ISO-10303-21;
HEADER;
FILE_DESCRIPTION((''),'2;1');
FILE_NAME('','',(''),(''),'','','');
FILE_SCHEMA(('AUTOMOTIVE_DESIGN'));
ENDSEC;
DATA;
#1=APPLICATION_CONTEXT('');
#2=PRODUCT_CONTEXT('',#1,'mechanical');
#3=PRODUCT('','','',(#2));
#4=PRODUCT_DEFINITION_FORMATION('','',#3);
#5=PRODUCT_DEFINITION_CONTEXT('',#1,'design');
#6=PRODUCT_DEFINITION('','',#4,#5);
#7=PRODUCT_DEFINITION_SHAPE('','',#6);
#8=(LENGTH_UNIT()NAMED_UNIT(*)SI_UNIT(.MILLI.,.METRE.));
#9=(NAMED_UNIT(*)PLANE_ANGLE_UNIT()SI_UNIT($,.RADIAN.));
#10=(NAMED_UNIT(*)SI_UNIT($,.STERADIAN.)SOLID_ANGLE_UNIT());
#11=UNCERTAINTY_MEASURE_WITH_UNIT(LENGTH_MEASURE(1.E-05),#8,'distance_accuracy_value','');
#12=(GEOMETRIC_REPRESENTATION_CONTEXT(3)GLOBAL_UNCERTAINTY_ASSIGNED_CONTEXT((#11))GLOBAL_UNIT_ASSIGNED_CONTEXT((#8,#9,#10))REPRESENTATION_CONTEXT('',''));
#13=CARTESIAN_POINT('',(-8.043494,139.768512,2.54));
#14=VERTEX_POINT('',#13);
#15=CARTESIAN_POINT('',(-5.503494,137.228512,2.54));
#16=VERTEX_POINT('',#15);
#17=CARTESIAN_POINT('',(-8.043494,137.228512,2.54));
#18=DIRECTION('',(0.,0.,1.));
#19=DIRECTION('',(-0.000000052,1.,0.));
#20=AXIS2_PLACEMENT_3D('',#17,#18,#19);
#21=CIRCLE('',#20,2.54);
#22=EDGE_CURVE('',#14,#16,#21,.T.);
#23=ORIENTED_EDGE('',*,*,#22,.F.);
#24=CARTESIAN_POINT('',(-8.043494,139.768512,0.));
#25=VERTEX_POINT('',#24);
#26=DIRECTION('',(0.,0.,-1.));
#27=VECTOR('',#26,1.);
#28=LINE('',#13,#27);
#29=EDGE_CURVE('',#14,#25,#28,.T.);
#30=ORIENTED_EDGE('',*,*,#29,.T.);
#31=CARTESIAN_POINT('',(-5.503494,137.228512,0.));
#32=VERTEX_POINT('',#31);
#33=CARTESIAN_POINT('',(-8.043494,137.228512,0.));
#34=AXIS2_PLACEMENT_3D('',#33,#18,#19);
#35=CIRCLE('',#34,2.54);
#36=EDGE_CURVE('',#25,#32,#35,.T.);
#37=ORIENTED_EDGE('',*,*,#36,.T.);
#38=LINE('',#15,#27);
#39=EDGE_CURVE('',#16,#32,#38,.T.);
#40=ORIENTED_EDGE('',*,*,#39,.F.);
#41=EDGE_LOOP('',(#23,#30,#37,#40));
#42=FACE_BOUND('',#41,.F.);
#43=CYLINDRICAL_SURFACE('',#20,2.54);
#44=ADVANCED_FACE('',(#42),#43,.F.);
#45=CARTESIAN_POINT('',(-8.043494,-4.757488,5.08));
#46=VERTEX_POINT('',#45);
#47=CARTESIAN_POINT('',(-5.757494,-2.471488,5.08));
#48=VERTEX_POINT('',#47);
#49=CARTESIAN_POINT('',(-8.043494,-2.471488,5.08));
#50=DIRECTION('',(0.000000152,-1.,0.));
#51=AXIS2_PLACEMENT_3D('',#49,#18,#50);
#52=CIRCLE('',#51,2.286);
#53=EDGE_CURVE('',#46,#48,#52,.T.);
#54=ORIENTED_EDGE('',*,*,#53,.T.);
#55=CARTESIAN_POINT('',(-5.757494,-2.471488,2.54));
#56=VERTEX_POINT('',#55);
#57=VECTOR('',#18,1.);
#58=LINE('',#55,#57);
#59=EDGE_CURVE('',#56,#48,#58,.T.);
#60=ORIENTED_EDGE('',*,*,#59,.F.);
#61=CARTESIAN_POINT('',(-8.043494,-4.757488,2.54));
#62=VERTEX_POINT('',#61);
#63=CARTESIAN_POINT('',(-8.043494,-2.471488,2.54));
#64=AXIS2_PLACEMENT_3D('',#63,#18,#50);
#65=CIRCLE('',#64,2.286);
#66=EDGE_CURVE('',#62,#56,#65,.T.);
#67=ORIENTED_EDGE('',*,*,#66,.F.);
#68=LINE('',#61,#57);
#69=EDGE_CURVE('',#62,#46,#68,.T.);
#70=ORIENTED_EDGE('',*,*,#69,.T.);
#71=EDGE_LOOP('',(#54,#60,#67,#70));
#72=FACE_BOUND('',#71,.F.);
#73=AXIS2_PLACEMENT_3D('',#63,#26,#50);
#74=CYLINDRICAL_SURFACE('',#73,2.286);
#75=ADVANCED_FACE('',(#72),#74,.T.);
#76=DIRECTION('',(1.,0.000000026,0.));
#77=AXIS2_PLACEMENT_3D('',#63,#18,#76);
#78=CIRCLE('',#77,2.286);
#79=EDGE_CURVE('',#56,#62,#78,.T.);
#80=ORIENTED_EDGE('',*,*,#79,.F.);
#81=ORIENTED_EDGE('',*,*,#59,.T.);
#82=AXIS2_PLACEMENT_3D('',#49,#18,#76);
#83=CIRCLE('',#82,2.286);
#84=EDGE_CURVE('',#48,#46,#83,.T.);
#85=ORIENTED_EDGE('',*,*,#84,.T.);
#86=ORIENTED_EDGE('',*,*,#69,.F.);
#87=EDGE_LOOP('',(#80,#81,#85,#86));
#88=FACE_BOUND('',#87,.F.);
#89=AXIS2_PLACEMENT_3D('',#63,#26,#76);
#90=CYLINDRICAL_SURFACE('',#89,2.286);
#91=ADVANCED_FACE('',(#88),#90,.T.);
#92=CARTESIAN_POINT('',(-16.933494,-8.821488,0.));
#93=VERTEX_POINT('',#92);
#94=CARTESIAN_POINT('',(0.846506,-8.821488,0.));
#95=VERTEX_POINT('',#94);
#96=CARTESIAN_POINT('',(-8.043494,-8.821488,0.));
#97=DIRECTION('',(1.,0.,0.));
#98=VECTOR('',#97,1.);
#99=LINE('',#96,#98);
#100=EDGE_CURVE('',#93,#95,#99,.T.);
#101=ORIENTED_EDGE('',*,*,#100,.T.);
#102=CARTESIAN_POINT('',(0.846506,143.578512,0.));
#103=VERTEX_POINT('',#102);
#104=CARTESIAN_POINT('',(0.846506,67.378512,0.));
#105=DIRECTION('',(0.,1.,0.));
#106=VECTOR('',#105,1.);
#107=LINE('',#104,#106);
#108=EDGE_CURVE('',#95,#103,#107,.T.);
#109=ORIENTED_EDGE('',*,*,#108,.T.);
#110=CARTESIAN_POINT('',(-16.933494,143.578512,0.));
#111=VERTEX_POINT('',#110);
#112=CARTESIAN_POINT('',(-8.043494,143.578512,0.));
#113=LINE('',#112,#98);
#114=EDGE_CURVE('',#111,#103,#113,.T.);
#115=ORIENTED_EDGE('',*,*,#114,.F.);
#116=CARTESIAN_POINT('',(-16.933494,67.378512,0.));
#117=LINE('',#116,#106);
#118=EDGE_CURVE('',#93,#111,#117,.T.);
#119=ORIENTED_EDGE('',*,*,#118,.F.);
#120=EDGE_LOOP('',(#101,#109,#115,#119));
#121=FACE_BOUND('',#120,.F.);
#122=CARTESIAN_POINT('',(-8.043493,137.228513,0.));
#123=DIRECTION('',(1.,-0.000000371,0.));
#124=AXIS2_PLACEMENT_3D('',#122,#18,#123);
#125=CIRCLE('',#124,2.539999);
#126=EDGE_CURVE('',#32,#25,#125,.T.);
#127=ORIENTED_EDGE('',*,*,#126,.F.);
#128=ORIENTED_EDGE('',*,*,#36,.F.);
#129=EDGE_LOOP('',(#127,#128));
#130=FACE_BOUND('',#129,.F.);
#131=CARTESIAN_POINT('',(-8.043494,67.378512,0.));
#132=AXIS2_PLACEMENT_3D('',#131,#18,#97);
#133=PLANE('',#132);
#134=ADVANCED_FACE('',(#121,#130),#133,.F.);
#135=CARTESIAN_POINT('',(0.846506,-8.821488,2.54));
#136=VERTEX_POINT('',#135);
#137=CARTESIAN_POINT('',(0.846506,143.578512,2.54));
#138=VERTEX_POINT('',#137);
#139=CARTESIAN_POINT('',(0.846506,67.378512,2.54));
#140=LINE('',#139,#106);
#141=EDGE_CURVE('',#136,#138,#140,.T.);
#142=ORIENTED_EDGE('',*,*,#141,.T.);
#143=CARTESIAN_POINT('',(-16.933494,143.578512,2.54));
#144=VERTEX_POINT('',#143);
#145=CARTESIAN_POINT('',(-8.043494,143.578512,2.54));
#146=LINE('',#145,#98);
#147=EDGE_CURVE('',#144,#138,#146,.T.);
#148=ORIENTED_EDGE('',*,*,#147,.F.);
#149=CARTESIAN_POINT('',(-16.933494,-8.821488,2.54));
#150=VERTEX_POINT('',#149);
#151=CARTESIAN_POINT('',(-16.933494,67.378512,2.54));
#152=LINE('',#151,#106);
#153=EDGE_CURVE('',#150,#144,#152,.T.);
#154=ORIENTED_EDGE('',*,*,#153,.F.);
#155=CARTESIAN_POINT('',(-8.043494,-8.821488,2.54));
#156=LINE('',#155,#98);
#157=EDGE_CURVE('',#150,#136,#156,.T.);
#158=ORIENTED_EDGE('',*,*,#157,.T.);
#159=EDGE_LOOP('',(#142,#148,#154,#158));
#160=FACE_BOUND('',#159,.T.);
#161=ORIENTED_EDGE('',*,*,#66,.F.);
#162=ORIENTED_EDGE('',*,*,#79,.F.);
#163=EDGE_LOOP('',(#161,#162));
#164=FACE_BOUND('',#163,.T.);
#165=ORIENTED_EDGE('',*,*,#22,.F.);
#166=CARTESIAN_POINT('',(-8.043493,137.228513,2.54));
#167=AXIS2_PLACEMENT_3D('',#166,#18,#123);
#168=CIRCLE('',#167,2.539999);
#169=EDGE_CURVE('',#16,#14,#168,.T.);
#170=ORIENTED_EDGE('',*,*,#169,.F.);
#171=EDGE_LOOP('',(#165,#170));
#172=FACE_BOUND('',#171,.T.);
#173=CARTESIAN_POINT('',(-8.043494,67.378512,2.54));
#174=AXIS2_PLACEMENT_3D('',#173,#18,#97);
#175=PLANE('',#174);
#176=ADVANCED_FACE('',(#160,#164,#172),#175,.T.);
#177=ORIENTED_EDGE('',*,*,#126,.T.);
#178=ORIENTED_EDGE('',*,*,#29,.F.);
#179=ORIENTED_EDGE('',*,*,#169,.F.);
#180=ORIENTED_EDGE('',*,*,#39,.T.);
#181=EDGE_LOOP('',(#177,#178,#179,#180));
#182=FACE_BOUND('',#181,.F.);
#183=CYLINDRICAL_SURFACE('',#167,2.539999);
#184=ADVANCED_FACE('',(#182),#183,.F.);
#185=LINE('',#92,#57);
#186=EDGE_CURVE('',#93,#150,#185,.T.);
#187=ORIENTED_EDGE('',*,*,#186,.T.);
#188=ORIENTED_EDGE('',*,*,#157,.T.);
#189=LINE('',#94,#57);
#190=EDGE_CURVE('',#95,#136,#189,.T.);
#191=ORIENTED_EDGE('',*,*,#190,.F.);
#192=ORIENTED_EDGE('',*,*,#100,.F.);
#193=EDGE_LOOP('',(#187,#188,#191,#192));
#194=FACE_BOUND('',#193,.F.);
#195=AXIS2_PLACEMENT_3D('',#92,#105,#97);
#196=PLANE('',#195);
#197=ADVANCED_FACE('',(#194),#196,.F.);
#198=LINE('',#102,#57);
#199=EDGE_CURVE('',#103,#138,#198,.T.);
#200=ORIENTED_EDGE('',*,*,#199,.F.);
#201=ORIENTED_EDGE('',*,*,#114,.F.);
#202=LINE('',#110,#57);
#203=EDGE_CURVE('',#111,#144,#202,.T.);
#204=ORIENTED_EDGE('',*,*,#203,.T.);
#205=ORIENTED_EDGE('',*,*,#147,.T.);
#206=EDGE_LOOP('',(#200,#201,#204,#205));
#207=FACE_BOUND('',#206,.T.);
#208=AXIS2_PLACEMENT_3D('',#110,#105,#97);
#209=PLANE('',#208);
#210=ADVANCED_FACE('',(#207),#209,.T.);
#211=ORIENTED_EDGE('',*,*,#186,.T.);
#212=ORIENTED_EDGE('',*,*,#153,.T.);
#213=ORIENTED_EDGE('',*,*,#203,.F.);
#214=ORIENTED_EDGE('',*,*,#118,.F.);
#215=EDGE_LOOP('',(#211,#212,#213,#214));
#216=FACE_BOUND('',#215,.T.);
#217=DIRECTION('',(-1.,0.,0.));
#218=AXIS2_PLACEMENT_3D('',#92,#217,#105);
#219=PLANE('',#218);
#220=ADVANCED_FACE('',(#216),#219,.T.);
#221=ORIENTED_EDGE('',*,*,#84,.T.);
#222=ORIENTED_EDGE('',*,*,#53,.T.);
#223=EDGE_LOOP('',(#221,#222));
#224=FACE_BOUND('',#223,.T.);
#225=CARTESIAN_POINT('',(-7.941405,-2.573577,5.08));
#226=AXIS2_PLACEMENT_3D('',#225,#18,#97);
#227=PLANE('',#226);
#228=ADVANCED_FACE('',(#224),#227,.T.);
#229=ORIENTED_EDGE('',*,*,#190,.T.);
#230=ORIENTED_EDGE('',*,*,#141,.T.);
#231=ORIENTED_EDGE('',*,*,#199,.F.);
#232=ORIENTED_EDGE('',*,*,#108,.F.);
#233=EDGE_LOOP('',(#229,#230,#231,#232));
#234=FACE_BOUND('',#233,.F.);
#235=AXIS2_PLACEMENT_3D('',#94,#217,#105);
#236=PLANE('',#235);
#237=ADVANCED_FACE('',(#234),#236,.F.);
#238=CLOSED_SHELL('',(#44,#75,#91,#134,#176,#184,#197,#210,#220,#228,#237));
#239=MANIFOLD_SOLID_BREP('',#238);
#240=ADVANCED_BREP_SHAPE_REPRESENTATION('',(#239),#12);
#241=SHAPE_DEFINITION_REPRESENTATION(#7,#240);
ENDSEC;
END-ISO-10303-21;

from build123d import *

# Parameters (mm, degrees)
F0_W     = 17.78
F0_H     = 152.4
F1_DEPTH = 2.54
F3_DEPTH = 2.541
F5_DEPTH = 2.54


with BuildPart() as f1:
    # F0 (on Top) → F1 (new body)
    with BuildSketch(Plane.XY):
        with Locations((-8.043494, 67.378512)):
            Rectangle(F0_W, F0_H)
    extrude(amount=F1_DEPTH)

    # F2 (on face) → F3 (cut, through all)
    with BuildSketch(Plane.XY.offset(2.54)):
        with BuildLine():
            ThreePointArc((-8.043494, 139.768512), (-9.839545, 135.432461), (-5.503494, 137.228512))
            ThreePointArc((-5.503494, 137.228512), (-6.247443, 139.024564), (-8.043494, 139.768512))
        make_face()
    extrude(amount=-F3_DEPTH, mode=Mode.SUBTRACT)

    # F4 (on face) → F5 (join)
    with BuildSketch(Plane.XY.offset(2.54)):
        with BuildLine():
            ThreePointArc((-8.043494, -4.757488), (-6.427048, -4.087934), (-5.757494, -2.471488))
            ThreePointArc((-5.757494, -2.471488), (-9.65994, -0.855042), (-8.043494, -4.757488))
        make_face()
    extrude(amount=F5_DEPTH)


solid = f1.part
